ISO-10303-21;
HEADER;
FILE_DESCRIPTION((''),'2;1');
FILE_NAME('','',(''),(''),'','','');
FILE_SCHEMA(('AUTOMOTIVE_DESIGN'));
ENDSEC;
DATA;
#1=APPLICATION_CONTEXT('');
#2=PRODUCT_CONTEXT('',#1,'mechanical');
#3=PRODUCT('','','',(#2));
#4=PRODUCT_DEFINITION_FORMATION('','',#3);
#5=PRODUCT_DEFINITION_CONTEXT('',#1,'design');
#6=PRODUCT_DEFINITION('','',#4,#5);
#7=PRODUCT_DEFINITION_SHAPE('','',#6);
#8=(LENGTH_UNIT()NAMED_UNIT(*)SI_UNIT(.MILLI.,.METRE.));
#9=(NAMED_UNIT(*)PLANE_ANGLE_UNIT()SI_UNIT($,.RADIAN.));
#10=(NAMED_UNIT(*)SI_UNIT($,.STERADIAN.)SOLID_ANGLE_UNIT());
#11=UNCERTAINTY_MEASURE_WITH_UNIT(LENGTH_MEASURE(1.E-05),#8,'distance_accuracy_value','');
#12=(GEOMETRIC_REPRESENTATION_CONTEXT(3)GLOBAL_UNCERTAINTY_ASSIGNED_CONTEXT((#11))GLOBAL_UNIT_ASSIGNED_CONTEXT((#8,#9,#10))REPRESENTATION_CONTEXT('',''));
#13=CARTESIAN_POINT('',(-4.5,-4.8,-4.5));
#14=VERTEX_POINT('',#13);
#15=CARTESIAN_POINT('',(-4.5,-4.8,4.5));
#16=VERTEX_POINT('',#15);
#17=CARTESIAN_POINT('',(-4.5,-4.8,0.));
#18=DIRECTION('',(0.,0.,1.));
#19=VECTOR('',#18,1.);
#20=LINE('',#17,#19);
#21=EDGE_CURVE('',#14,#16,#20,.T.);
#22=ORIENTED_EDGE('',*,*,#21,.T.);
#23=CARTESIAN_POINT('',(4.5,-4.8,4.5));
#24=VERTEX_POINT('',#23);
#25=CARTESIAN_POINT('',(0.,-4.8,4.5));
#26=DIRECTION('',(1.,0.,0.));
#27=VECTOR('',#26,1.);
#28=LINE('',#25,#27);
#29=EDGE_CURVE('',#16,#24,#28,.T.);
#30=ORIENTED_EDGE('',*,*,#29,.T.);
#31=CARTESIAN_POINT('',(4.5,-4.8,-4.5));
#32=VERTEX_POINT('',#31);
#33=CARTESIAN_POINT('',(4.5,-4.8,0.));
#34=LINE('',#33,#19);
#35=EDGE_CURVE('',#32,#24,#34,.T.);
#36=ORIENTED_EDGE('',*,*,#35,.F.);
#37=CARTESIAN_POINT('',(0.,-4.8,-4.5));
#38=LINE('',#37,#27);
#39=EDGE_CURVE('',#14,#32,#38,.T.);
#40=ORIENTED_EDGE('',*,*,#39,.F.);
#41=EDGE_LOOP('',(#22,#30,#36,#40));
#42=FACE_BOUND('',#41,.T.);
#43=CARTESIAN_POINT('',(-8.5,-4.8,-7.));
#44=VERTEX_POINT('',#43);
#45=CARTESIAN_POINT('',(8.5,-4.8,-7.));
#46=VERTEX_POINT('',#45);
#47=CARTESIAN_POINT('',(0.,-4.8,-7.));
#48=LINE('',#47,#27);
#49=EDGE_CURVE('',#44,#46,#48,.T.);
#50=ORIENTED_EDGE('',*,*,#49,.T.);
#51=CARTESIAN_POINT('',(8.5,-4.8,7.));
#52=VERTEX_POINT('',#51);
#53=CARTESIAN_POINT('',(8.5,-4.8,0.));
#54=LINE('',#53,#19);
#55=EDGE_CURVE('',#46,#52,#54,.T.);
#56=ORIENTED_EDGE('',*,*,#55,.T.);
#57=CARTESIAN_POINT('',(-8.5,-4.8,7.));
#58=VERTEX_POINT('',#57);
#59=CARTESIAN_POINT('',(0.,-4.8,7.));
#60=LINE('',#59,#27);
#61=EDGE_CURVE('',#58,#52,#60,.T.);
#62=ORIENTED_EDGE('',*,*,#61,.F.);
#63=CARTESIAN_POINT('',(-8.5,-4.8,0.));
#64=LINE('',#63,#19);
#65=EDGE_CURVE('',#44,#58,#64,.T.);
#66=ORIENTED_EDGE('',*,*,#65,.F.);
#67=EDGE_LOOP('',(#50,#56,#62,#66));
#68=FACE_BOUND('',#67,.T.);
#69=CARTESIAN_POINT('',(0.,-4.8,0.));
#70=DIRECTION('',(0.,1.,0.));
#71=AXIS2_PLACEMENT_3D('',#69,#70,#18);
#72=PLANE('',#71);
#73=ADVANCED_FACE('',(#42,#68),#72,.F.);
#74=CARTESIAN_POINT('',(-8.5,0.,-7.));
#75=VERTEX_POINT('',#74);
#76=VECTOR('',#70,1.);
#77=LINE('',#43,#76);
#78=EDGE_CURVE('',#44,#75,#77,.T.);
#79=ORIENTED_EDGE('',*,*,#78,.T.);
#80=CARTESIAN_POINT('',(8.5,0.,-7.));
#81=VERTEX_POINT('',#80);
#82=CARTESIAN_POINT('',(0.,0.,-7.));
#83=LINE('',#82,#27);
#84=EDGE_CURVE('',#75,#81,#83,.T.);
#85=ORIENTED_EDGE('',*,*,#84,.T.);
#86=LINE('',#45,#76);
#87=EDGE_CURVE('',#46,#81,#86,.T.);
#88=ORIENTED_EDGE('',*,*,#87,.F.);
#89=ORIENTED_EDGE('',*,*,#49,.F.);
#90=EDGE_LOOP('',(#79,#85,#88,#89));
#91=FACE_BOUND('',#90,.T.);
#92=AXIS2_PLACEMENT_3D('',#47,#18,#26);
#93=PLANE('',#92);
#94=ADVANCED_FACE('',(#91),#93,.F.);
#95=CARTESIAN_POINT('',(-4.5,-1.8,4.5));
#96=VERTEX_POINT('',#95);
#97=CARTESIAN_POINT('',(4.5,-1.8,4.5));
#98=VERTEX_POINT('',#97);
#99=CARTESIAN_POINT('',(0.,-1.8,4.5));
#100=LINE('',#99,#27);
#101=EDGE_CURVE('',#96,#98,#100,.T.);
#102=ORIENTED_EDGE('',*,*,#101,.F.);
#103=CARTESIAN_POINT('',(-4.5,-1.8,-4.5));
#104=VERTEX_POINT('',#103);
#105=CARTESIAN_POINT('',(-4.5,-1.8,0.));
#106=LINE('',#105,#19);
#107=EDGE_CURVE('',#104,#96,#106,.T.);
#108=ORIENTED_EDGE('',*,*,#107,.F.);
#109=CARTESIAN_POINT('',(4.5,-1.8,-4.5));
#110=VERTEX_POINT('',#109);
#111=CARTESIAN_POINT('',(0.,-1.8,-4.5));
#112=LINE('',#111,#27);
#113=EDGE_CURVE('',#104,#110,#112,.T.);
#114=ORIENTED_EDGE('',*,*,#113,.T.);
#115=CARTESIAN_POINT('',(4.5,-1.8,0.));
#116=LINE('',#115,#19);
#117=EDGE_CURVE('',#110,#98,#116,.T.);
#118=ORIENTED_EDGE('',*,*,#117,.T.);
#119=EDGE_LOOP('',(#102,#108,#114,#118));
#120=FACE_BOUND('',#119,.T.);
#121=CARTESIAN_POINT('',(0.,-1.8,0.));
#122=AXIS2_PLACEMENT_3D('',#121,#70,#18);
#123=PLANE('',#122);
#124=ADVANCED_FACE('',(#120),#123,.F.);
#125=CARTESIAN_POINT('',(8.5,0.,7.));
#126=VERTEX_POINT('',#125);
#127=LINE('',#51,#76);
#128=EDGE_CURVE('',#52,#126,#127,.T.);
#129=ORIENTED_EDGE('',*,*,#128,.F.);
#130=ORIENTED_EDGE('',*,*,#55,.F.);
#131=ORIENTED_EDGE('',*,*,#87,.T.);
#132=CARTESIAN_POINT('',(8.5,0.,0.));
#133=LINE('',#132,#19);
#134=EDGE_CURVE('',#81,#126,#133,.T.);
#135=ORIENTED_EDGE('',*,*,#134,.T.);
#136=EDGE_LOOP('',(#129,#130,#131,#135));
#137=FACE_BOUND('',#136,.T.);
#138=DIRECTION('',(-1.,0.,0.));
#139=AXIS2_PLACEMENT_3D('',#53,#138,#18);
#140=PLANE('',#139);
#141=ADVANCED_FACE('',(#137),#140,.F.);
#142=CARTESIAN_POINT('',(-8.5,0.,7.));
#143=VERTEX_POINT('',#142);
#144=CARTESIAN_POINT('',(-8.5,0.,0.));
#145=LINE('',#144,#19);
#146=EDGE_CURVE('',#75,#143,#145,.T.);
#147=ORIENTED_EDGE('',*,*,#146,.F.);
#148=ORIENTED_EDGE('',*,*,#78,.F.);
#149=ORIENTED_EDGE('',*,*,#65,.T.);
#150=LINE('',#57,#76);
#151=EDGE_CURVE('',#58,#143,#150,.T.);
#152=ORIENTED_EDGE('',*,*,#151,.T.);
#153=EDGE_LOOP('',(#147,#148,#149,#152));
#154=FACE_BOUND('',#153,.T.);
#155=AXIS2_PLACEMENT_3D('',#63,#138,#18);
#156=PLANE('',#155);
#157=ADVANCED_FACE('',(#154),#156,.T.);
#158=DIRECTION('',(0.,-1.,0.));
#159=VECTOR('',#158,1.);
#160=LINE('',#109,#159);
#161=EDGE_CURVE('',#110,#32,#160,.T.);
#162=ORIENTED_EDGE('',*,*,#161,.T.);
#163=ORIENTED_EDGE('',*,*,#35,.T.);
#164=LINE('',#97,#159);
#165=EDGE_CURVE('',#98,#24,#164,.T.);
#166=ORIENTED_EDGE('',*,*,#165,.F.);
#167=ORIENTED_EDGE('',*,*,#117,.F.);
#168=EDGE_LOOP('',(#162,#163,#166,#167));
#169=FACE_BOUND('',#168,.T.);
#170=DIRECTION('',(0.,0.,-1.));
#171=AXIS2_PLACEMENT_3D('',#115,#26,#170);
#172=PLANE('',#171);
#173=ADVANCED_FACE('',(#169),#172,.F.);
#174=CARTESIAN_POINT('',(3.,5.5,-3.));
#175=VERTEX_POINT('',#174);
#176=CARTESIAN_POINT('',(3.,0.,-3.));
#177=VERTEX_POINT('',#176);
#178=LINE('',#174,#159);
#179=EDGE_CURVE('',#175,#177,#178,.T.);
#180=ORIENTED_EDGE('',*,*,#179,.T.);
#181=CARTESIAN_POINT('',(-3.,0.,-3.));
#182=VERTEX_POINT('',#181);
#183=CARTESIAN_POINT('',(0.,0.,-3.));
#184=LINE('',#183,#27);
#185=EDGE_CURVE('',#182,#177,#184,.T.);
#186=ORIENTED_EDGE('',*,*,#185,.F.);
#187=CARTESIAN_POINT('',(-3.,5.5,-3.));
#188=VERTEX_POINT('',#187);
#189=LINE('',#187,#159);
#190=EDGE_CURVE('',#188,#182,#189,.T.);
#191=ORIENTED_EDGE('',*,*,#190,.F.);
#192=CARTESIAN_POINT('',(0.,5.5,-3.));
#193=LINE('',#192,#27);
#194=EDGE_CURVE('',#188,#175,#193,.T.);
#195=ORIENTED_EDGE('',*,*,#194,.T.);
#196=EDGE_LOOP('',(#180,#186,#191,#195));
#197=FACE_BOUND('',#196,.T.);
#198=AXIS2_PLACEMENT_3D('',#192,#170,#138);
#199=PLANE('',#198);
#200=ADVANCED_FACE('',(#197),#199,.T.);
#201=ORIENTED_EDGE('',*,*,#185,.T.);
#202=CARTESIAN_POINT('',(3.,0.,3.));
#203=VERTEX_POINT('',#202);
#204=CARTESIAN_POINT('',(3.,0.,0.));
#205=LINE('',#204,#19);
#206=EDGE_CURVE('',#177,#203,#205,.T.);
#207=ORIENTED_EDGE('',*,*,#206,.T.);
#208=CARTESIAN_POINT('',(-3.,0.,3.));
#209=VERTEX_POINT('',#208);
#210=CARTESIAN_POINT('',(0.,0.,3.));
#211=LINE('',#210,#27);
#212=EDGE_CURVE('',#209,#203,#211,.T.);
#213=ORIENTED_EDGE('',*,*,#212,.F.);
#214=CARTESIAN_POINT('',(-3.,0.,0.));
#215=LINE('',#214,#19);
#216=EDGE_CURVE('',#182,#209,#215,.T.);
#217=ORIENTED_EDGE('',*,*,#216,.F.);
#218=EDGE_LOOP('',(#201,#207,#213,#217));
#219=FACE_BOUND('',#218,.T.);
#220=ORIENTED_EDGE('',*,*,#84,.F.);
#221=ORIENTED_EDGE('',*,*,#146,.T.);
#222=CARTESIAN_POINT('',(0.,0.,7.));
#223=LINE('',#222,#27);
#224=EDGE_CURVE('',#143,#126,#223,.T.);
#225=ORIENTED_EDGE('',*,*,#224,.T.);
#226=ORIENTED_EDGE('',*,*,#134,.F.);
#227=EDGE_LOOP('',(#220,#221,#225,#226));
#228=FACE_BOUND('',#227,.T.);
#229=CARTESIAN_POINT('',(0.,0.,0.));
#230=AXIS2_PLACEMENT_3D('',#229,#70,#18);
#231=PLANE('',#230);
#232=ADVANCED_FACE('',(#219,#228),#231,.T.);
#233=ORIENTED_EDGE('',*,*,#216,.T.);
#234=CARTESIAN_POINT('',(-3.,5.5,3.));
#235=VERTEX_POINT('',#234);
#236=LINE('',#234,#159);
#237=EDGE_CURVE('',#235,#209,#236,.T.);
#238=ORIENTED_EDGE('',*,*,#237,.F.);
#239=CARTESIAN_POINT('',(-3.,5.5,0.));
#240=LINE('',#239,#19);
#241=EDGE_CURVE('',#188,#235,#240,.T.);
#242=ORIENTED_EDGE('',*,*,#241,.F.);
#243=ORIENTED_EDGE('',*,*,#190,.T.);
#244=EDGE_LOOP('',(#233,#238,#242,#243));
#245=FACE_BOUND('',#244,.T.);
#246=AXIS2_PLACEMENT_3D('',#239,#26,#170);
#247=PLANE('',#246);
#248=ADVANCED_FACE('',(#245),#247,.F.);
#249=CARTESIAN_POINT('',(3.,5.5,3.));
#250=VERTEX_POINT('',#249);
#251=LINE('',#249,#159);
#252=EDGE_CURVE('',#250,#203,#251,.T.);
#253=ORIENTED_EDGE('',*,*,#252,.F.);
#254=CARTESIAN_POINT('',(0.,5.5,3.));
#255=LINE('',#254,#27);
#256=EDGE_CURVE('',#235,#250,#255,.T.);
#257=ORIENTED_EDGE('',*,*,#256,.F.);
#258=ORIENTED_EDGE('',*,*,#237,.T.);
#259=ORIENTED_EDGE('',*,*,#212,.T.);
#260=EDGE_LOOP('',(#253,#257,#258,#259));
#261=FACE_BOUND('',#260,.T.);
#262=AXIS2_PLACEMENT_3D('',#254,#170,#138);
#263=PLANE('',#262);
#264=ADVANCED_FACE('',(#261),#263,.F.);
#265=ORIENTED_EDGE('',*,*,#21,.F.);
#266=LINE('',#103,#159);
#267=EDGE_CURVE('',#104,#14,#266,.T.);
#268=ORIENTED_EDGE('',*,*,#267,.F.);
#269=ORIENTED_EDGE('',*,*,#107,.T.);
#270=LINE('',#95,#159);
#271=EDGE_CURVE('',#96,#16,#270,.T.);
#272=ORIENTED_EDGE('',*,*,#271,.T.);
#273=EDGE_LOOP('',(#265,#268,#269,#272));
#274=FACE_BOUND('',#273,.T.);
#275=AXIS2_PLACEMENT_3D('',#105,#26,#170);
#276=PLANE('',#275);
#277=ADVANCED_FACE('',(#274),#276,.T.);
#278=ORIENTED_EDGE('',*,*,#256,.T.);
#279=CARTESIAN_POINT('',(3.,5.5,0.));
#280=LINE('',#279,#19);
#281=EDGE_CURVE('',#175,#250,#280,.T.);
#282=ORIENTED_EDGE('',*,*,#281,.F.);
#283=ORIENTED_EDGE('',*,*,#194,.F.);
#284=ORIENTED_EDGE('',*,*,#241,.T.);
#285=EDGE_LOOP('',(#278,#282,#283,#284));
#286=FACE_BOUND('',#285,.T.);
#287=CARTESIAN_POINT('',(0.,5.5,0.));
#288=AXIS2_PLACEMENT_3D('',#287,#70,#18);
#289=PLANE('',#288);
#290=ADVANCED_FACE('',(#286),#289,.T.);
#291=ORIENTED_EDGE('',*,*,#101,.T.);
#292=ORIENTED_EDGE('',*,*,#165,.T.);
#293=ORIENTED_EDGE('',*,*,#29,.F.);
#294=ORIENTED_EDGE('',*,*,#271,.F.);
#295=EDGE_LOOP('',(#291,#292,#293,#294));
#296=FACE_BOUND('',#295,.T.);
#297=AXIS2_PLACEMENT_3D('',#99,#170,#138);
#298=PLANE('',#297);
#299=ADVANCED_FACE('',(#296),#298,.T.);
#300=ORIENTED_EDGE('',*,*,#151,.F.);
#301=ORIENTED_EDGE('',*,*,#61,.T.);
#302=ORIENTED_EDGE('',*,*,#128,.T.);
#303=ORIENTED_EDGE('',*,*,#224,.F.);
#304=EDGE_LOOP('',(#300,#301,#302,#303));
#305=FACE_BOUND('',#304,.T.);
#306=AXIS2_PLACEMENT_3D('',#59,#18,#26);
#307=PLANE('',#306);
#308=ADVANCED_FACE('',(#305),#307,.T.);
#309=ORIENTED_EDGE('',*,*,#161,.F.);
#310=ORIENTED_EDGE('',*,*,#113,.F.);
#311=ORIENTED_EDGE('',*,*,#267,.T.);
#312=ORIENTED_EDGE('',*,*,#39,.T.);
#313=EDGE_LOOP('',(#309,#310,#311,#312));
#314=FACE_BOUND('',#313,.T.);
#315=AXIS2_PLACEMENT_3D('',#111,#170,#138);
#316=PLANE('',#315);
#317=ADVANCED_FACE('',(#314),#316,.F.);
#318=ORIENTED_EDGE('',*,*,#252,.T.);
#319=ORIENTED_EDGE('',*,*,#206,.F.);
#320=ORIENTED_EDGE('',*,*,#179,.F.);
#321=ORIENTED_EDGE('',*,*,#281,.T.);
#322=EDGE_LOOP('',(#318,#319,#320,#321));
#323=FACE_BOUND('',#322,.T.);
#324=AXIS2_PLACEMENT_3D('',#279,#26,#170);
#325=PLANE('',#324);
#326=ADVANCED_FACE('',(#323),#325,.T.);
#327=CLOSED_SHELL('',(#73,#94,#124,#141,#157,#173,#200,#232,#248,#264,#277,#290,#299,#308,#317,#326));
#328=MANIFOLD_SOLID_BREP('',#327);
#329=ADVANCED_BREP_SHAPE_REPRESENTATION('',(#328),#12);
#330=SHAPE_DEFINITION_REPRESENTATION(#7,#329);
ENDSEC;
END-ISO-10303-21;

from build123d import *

# Parameters (mm, degrees)
SKETCH1_W           = 17
SKETCH1_H           = 14
BOSS_EXTRUDE1_DEPTH = 4.8
CUT_EXTRUDE1_START  = -4.8
SKETCH1_6_W         = 9
SKETCH1_6_H         = 9
CUT_EXTRUDE1_DEPTH  = 3
SKETCH1_3_W         = 6
SKETCH1_3_H         = 6
BOSS_EXTRUDE2_DEPTH = 5.5


with BuildPart() as part:
    # Sketch1 → Boss-Extrude1 (new body)
    with BuildSketch(Plane(origin=(0, 0, 0), x_dir=(1, 0, 0), z_dir=(0, 1, 0))):
        Rectangle(SKETCH1_W, SKETCH1_H)
    extrude(amount=-BOSS_EXTRUDE1_DEPTH)

    # Sketch1<6> → Cut-Extrude1 (cut)
    with BuildSketch(Plane(origin=(0, 0, 0), x_dir=(1, 0, 0), z_dir=(0, 1, 0)).offset(CUT_EXTRUDE1_START)):
        Rectangle(SKETCH1_6_W, SKETCH1_6_H)
    extrude(amount=CUT_EXTRUDE1_DEPTH, mode=Mode.SUBTRACT)

    # Sketch1<3> → Boss-Extrude2 (add)
    with BuildSketch(Plane(origin=(0, 0, 0), x_dir=(1, 0, 0), z_dir=(0, 1, 0))):
        Rectangle(SKETCH1_3_W, SKETCH1_3_H)
    extrude(amount=BOSS_EXTRUDE2_DEPTH)


solid = part.part
